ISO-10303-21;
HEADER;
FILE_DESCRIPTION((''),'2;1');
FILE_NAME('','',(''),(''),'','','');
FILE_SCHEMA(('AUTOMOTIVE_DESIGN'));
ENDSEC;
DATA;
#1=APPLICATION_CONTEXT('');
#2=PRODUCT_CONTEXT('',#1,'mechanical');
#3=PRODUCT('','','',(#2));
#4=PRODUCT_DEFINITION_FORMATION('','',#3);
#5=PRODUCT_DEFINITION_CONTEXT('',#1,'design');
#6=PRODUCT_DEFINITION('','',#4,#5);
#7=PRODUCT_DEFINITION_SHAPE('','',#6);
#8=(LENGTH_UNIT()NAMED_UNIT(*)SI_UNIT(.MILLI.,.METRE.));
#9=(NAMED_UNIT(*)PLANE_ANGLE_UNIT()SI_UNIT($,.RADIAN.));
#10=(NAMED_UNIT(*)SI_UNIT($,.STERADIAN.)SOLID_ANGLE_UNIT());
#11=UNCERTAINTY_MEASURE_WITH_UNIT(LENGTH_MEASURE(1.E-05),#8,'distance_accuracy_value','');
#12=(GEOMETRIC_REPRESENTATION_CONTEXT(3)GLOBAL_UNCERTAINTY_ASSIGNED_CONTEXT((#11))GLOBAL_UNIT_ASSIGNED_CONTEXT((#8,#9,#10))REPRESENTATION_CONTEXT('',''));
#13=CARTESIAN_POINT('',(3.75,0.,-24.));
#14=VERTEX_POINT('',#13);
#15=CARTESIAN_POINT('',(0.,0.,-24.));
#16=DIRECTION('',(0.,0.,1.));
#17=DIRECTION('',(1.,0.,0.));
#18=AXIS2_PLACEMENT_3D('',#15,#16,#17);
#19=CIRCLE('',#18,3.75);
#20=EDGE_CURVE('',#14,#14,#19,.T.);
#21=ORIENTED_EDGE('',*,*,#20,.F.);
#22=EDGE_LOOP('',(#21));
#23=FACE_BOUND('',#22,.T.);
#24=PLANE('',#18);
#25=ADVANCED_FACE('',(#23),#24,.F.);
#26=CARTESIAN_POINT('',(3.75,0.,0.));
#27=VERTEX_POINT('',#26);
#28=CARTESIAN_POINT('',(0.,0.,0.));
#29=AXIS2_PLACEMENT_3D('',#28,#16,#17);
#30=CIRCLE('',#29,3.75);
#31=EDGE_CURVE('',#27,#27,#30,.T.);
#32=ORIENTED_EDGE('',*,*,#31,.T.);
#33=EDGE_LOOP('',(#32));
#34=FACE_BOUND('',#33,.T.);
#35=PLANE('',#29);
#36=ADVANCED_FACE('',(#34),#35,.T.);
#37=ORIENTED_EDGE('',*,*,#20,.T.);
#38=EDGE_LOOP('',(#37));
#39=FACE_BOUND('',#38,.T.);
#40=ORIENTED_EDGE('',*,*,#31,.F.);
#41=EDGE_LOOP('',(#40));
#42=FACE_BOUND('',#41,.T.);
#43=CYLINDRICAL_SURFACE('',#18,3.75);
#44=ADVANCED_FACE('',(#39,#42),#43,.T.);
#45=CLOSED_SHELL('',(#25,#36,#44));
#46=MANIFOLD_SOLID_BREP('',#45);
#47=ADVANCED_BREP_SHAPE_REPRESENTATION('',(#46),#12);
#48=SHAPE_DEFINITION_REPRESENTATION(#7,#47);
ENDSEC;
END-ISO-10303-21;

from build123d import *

# Parameters (mm, degrees)
SCHIZZO1_R                   = 3.75
ESTRUSIONE_ESTRUSIONE1_DEPTH = 24


with BuildPart() as part:
    # Schizzo1 → Estrusione-Estrusione1 (new body)
    with BuildSketch(Plane.XY):
        Circle(SCHIZZO1_R)
    extrude(amount=-ESTRUSIONE_ESTRUSIONE1_DEPTH)


solid = part.part
